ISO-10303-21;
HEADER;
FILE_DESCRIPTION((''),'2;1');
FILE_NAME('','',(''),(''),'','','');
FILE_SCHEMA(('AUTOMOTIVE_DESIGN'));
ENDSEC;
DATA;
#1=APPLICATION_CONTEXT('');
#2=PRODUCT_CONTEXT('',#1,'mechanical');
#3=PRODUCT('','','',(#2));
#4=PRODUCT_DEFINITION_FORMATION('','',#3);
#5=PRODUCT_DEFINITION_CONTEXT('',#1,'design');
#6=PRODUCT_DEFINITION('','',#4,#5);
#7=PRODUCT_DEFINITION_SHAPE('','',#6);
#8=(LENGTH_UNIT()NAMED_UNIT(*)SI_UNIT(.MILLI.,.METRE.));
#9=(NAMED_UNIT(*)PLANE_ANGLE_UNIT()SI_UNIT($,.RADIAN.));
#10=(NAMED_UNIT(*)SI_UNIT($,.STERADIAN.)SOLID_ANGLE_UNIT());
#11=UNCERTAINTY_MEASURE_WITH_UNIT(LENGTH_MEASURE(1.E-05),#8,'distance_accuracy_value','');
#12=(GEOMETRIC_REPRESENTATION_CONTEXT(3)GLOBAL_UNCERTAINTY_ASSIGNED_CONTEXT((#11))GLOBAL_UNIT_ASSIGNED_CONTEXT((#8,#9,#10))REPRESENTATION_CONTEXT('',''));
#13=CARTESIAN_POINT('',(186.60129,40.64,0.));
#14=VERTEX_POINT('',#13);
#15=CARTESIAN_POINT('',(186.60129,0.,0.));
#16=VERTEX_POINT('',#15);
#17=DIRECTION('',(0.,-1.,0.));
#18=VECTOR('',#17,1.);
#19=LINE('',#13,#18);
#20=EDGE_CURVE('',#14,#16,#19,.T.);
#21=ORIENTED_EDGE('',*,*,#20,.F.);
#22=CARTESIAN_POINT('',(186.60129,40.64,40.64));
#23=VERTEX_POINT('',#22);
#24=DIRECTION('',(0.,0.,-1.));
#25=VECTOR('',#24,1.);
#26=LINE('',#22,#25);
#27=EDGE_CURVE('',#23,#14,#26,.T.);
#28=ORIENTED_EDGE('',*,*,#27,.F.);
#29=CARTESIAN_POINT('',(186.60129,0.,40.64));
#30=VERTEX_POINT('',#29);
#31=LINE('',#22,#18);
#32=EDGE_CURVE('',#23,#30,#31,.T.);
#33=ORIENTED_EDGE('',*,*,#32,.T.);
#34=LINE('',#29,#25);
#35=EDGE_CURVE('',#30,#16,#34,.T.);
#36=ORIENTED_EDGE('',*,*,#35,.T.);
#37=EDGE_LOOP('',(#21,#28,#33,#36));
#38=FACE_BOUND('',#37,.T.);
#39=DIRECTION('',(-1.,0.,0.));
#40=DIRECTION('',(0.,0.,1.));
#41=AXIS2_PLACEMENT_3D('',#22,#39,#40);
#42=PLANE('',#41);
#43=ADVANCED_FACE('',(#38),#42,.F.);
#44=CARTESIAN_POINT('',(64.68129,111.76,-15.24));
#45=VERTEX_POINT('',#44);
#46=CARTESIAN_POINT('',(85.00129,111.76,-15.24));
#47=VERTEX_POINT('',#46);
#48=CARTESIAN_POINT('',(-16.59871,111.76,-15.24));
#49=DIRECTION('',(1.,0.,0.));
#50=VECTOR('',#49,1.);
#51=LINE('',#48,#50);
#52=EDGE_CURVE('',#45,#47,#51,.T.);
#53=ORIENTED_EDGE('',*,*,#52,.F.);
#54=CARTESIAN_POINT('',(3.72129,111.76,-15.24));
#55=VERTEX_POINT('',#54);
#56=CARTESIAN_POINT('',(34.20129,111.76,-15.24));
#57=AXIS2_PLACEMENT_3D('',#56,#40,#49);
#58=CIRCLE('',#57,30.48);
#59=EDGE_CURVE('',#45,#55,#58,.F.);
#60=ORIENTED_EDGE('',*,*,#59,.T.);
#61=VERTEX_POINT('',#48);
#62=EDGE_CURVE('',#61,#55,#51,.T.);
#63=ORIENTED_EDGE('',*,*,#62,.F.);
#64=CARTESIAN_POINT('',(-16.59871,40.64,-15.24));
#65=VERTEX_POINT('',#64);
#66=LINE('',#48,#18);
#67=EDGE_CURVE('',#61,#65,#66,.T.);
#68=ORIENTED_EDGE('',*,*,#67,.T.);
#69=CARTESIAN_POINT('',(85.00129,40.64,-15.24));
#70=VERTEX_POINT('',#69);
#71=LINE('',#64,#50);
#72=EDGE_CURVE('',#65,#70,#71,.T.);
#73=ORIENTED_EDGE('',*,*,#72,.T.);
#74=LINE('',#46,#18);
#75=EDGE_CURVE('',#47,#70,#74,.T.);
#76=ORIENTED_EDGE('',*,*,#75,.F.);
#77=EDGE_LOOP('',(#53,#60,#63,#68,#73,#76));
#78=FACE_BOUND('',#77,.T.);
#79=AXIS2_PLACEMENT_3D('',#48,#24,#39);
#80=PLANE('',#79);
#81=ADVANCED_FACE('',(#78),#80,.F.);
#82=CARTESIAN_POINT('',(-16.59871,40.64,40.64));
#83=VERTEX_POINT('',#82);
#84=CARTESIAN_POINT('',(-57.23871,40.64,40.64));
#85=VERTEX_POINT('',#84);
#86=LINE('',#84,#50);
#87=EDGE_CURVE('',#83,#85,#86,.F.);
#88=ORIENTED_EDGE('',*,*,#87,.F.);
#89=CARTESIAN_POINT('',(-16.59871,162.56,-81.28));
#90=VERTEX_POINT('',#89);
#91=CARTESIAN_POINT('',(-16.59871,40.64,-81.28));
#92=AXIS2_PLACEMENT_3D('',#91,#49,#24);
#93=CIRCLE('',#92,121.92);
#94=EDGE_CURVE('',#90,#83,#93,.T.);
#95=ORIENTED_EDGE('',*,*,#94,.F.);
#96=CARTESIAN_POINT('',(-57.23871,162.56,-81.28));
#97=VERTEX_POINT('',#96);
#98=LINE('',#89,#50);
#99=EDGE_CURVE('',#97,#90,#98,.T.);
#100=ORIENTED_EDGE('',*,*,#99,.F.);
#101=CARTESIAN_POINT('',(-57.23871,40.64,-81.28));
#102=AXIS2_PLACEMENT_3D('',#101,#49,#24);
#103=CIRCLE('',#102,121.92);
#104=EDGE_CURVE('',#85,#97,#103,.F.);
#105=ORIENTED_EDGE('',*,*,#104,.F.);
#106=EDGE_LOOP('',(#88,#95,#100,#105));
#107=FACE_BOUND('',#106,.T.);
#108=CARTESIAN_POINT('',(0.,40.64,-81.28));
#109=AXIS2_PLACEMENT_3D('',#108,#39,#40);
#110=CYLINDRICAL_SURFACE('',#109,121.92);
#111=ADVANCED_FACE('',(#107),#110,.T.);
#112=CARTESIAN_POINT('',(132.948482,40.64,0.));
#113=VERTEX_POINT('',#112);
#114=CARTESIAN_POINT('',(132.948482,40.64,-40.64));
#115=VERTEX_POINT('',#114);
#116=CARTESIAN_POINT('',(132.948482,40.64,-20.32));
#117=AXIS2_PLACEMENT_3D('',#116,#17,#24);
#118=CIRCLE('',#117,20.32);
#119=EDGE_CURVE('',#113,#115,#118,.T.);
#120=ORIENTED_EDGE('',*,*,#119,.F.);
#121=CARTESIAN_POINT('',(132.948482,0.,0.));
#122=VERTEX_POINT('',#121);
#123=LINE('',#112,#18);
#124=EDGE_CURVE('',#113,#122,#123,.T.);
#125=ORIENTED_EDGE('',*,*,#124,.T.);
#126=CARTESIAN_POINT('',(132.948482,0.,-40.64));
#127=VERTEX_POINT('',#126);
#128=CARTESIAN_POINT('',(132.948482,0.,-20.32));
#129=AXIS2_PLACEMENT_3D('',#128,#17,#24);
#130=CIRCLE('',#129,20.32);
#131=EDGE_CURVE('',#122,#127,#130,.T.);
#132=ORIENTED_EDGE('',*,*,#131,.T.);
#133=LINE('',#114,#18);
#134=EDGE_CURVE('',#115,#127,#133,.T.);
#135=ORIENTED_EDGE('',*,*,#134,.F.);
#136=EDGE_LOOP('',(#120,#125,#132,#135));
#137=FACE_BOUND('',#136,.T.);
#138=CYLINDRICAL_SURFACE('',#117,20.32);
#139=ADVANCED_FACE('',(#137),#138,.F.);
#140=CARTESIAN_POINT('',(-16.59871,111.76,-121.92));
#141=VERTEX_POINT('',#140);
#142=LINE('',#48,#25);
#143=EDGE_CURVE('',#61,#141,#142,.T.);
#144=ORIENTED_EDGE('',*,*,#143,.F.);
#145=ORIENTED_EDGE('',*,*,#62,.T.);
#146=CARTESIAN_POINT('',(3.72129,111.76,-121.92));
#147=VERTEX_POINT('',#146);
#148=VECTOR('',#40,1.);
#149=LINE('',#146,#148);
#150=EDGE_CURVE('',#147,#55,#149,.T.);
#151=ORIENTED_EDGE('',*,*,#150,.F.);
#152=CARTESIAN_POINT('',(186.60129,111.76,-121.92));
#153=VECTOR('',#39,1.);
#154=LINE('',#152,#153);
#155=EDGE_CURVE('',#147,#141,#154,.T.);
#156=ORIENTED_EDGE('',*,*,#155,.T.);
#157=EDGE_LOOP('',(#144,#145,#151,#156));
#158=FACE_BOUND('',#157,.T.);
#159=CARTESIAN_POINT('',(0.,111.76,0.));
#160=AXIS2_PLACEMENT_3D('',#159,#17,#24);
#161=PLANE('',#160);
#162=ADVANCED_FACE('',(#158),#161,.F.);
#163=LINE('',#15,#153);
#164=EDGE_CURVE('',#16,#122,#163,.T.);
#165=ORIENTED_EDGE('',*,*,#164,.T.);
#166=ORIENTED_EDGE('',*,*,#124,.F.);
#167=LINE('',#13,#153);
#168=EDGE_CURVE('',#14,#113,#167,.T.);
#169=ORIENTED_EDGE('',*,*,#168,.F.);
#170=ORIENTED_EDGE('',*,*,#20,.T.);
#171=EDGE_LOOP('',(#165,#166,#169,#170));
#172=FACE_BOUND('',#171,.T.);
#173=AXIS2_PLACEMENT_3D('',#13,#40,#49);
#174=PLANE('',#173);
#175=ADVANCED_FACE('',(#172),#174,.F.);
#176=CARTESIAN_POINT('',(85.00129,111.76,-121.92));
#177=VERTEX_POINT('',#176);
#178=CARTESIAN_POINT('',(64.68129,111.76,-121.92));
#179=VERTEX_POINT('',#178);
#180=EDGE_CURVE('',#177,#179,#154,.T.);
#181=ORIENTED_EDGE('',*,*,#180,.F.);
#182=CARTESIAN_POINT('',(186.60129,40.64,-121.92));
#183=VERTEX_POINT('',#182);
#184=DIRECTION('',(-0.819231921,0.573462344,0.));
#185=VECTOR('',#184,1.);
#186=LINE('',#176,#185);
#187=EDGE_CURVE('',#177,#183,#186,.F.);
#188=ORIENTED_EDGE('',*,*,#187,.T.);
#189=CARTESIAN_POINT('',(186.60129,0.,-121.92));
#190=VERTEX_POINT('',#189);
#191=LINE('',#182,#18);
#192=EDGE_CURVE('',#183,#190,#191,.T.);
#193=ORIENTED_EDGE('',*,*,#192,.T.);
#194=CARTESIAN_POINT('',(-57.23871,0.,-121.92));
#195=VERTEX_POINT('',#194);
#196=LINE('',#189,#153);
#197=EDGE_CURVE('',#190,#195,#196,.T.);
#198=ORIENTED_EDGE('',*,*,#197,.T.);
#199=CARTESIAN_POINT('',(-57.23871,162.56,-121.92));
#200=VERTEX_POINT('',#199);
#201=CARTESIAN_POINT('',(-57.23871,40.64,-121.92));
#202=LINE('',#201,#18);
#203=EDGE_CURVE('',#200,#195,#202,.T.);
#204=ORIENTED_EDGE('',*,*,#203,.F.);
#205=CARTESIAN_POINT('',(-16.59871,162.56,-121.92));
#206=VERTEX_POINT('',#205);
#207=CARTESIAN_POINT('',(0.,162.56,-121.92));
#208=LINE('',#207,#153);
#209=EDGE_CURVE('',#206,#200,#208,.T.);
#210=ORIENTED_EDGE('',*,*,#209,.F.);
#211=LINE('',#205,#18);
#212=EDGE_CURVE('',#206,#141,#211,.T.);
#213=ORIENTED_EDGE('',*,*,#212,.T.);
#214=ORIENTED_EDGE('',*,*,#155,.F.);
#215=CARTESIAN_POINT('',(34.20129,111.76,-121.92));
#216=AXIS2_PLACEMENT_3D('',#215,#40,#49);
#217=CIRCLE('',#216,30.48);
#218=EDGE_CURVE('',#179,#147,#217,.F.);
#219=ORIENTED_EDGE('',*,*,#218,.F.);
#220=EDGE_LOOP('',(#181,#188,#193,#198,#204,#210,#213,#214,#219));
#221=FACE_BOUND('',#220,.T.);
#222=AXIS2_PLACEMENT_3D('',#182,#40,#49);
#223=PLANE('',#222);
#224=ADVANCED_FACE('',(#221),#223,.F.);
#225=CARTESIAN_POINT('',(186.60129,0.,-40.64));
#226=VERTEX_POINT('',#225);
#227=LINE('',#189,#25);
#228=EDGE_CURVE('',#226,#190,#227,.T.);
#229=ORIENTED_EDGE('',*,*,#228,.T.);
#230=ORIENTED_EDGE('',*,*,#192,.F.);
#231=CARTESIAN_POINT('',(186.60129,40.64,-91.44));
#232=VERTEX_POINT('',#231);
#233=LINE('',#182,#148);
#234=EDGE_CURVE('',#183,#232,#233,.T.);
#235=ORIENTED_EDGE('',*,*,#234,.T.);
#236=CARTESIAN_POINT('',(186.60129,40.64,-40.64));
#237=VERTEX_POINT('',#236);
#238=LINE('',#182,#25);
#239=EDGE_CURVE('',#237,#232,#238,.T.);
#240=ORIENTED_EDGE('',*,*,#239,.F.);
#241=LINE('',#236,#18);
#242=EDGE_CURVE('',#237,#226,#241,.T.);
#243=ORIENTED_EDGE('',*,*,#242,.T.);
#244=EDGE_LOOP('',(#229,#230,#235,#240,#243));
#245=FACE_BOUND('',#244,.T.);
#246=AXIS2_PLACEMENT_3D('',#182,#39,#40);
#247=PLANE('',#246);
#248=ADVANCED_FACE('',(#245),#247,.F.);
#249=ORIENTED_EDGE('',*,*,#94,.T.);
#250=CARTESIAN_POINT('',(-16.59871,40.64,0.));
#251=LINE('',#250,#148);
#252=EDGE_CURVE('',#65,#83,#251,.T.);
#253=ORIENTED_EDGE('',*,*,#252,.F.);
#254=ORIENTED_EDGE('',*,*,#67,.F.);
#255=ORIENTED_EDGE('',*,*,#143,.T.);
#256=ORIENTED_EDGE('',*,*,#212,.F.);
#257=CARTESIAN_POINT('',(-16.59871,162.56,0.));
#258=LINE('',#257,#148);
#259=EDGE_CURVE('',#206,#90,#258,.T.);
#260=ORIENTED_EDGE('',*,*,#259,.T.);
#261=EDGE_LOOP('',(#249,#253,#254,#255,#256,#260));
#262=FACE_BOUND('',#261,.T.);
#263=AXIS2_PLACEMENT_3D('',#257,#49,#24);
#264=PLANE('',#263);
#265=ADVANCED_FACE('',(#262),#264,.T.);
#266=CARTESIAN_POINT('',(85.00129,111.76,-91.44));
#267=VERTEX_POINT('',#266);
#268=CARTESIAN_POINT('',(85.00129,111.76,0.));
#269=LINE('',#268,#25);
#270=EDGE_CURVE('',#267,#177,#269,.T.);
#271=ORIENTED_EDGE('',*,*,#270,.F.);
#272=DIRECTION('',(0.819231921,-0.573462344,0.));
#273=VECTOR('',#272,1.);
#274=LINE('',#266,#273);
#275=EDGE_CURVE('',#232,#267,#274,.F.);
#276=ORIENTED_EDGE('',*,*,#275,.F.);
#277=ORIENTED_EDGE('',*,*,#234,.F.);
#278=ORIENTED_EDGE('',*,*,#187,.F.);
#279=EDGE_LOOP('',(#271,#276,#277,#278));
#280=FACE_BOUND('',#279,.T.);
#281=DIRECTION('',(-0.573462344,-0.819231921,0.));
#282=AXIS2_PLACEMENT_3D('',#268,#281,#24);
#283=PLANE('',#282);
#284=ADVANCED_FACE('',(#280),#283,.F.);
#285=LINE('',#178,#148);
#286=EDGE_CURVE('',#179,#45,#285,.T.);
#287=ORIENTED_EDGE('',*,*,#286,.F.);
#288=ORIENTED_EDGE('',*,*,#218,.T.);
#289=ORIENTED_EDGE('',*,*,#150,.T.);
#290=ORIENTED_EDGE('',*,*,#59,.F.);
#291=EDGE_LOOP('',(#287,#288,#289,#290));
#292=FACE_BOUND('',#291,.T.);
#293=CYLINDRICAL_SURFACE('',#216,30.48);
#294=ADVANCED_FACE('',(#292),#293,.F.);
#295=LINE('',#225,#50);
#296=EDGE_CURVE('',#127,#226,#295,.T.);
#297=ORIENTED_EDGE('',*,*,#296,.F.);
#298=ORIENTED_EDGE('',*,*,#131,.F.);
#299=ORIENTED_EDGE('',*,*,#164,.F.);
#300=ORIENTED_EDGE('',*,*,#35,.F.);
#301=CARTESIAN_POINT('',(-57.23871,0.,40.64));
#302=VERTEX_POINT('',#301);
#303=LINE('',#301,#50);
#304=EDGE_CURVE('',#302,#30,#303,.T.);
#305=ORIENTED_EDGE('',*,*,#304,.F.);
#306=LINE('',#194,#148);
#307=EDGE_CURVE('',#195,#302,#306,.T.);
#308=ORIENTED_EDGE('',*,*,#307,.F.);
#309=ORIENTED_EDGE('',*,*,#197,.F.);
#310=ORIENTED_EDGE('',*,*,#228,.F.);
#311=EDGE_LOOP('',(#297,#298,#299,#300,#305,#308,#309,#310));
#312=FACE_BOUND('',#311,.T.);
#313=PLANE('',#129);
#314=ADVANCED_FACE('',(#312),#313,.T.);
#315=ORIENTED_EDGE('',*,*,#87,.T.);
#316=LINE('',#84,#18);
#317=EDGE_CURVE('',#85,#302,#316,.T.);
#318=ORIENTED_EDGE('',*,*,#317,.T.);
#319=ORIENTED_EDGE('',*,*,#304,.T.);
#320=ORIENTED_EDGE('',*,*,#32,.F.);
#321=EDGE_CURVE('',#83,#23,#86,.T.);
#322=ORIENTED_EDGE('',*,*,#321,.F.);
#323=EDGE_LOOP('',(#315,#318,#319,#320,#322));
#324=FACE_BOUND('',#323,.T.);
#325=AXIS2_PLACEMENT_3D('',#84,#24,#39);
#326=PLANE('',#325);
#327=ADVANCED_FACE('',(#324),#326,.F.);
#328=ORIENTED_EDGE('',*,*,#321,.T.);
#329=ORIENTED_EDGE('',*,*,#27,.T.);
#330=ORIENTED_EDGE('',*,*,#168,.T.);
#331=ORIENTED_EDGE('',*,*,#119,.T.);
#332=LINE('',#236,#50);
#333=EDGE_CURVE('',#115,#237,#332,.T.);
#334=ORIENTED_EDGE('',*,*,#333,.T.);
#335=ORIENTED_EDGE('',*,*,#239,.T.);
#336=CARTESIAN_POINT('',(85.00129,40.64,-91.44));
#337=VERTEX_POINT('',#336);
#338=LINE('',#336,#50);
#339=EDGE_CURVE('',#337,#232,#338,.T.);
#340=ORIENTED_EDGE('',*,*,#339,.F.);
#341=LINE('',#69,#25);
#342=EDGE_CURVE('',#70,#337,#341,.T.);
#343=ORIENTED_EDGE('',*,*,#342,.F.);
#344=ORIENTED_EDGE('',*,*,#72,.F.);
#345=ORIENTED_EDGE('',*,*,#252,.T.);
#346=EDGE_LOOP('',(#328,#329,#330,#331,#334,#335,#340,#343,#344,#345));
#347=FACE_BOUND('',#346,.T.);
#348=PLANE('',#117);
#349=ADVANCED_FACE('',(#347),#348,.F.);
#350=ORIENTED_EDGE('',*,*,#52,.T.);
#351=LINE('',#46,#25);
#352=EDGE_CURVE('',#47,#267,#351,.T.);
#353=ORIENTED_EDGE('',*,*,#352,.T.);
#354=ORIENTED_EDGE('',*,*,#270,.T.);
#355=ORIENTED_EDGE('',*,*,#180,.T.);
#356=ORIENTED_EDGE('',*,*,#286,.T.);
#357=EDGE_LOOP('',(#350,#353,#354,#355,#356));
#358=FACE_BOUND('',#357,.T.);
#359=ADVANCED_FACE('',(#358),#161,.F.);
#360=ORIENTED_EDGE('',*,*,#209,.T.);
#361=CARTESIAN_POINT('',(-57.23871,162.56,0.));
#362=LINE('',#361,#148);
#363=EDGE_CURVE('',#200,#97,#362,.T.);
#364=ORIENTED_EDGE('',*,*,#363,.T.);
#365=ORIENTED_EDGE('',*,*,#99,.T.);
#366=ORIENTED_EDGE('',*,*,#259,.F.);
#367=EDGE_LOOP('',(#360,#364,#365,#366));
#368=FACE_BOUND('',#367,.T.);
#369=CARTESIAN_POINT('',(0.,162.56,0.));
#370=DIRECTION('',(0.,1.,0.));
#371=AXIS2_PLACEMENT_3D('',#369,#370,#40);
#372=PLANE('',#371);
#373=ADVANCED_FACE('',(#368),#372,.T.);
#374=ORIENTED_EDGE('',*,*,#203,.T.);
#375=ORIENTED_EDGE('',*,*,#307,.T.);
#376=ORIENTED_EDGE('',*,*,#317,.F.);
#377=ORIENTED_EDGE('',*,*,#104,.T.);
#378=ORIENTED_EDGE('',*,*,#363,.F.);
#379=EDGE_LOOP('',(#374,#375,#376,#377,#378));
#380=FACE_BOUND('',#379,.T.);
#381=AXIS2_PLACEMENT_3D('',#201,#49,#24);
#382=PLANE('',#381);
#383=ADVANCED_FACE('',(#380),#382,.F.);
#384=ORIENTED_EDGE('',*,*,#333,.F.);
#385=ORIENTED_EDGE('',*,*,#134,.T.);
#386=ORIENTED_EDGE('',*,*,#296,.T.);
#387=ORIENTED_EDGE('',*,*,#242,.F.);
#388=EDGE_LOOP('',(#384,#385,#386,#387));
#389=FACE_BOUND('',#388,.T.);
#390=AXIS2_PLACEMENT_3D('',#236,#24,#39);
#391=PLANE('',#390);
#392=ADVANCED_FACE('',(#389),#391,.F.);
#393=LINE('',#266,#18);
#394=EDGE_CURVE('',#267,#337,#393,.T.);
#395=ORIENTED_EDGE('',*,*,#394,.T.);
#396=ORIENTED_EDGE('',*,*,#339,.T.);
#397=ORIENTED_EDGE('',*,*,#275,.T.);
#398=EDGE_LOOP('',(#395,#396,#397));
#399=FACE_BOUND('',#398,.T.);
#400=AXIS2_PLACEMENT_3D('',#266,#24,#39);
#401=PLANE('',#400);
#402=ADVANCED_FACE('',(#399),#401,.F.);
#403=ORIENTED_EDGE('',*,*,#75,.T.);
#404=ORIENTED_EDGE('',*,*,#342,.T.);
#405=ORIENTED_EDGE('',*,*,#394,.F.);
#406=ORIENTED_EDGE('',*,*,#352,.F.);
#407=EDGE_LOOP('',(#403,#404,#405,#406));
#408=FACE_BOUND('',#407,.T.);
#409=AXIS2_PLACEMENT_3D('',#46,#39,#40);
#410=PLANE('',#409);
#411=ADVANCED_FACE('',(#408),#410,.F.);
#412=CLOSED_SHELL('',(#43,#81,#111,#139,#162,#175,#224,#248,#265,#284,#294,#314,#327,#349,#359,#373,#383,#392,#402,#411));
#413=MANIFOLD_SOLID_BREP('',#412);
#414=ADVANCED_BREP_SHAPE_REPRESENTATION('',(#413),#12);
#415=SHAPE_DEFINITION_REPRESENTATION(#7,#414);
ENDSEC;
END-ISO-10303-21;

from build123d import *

# Parameters (mm, degrees)
BOSS_EXTRUDE1_DEPTH = 40.64
BOSS_EXTRUDE2_DEPTH = 121.92
BOSS_EXTRUDE3_DEPTH = 71.12
CHAMFER1_SIZE       = 71.12
CHAMFER1_SIZE2      = 101.6
FILLET1_R           = 121.92
CUT_EXTRUDE1_DEPTH  = 106.68


with BuildPart() as part:
    # Sketch1 → Boss-Extrude1 (new body)
    with BuildSketch(Plane(origin=(0, 0, 0), x_dir=(1, 0, 0), z_dir=(0, 1, 0))):
        with BuildLine():
            Line((186.601289805, 121.92), (-57.238710195, 121.92))
            Line((-57.238710195, 121.92), (-57.238710195, -40.64))
            Line((-57.238710195, -40.64), (186.601289805, -40.64))
            Line((186.601289805, -40.64), (186.601289805, 0))
            Line((186.601289805, 0), (132.948481924, 0))
            ThreePointArc((132.948481924, 0), (112.628481924, 20.32), (132.948481924, 40.64))
            Line((132.948481924, 40.64), (186.601289805, 40.64))
            Line((186.601289805, 40.64), (186.601289805, 121.92))
        make_face()
    extrude(amount=BOSS_EXTRUDE1_DEPTH)

    # Sketch2 → Boss-Extrude2 (add)
    with BuildSketch(Plane(origin=(0, 40.64, 0), x_dir=(1, 0, 0), z_dir=(0, 1, 0))):
        Polygon((-16.598710195, 15.24), (-16.598710195, 121.92), (-57.238710195, 121.92), (-57.238710195, -40.64), (-16.598710195, -40.64), align=None)
    extrude(amount=BOSS_EXTRUDE2_DEPTH)

    # Sketch2<4> → Boss-Extrude3 (add)
    with BuildSketch(Plane(origin=(0, 40.64, 0), x_dir=(1, 0, 0), z_dir=(0, 1, 0))):
        Polygon((-16.598710195, 15.24), (85.001289805, 15.24), (85.001289805, 91.44), (186.601289805, 91.44), (186.601289805, 121.92), (-16.598710195, 121.92), align=None)
    extrude(amount=BOSS_EXTRUDE3_DEPTH)

    # Chamfer1
    chamfer1_edges = [part.edges().sort_by_distance(p)[0] for p in [
        (186.601289805, 111.76, -106.68),
    ]]
    chamfer1_side = [part.faces().sort_by_distance(p)[0] for p in [
        (186.601289805, 20.32, -42.021909404),
    ]]
    chamfer(chamfer1_edges, length=CHAMFER1_SIZE, length2=CHAMFER1_SIZE2, reference=chamfer1_side[0])

    # Fillet1
    fillet1_edges = [part.edges().sort_by_distance(p)[0] for p in [
        (-36.918710195, 162.56, 40.64),
    ]]
    fillet(fillet1_edges, radius=FILLET1_R)

    # Sketch3 → Cut-Extrude1 (cut)
    with BuildSketch(Plane.XY.offset(-15.24)):
        with BuildLine():
            Line((64.681289805, 111.76), (3.721289805, 111.76))
            ThreePointArc((3.721289805, 111.76), (34.201289805, 81.28), (64.681289805, 111.76))
        make_face()
    extrude(amount=-CUT_EXTRUDE1_DEPTH, mode=Mode.SUBTRACT)


solid = part.part
